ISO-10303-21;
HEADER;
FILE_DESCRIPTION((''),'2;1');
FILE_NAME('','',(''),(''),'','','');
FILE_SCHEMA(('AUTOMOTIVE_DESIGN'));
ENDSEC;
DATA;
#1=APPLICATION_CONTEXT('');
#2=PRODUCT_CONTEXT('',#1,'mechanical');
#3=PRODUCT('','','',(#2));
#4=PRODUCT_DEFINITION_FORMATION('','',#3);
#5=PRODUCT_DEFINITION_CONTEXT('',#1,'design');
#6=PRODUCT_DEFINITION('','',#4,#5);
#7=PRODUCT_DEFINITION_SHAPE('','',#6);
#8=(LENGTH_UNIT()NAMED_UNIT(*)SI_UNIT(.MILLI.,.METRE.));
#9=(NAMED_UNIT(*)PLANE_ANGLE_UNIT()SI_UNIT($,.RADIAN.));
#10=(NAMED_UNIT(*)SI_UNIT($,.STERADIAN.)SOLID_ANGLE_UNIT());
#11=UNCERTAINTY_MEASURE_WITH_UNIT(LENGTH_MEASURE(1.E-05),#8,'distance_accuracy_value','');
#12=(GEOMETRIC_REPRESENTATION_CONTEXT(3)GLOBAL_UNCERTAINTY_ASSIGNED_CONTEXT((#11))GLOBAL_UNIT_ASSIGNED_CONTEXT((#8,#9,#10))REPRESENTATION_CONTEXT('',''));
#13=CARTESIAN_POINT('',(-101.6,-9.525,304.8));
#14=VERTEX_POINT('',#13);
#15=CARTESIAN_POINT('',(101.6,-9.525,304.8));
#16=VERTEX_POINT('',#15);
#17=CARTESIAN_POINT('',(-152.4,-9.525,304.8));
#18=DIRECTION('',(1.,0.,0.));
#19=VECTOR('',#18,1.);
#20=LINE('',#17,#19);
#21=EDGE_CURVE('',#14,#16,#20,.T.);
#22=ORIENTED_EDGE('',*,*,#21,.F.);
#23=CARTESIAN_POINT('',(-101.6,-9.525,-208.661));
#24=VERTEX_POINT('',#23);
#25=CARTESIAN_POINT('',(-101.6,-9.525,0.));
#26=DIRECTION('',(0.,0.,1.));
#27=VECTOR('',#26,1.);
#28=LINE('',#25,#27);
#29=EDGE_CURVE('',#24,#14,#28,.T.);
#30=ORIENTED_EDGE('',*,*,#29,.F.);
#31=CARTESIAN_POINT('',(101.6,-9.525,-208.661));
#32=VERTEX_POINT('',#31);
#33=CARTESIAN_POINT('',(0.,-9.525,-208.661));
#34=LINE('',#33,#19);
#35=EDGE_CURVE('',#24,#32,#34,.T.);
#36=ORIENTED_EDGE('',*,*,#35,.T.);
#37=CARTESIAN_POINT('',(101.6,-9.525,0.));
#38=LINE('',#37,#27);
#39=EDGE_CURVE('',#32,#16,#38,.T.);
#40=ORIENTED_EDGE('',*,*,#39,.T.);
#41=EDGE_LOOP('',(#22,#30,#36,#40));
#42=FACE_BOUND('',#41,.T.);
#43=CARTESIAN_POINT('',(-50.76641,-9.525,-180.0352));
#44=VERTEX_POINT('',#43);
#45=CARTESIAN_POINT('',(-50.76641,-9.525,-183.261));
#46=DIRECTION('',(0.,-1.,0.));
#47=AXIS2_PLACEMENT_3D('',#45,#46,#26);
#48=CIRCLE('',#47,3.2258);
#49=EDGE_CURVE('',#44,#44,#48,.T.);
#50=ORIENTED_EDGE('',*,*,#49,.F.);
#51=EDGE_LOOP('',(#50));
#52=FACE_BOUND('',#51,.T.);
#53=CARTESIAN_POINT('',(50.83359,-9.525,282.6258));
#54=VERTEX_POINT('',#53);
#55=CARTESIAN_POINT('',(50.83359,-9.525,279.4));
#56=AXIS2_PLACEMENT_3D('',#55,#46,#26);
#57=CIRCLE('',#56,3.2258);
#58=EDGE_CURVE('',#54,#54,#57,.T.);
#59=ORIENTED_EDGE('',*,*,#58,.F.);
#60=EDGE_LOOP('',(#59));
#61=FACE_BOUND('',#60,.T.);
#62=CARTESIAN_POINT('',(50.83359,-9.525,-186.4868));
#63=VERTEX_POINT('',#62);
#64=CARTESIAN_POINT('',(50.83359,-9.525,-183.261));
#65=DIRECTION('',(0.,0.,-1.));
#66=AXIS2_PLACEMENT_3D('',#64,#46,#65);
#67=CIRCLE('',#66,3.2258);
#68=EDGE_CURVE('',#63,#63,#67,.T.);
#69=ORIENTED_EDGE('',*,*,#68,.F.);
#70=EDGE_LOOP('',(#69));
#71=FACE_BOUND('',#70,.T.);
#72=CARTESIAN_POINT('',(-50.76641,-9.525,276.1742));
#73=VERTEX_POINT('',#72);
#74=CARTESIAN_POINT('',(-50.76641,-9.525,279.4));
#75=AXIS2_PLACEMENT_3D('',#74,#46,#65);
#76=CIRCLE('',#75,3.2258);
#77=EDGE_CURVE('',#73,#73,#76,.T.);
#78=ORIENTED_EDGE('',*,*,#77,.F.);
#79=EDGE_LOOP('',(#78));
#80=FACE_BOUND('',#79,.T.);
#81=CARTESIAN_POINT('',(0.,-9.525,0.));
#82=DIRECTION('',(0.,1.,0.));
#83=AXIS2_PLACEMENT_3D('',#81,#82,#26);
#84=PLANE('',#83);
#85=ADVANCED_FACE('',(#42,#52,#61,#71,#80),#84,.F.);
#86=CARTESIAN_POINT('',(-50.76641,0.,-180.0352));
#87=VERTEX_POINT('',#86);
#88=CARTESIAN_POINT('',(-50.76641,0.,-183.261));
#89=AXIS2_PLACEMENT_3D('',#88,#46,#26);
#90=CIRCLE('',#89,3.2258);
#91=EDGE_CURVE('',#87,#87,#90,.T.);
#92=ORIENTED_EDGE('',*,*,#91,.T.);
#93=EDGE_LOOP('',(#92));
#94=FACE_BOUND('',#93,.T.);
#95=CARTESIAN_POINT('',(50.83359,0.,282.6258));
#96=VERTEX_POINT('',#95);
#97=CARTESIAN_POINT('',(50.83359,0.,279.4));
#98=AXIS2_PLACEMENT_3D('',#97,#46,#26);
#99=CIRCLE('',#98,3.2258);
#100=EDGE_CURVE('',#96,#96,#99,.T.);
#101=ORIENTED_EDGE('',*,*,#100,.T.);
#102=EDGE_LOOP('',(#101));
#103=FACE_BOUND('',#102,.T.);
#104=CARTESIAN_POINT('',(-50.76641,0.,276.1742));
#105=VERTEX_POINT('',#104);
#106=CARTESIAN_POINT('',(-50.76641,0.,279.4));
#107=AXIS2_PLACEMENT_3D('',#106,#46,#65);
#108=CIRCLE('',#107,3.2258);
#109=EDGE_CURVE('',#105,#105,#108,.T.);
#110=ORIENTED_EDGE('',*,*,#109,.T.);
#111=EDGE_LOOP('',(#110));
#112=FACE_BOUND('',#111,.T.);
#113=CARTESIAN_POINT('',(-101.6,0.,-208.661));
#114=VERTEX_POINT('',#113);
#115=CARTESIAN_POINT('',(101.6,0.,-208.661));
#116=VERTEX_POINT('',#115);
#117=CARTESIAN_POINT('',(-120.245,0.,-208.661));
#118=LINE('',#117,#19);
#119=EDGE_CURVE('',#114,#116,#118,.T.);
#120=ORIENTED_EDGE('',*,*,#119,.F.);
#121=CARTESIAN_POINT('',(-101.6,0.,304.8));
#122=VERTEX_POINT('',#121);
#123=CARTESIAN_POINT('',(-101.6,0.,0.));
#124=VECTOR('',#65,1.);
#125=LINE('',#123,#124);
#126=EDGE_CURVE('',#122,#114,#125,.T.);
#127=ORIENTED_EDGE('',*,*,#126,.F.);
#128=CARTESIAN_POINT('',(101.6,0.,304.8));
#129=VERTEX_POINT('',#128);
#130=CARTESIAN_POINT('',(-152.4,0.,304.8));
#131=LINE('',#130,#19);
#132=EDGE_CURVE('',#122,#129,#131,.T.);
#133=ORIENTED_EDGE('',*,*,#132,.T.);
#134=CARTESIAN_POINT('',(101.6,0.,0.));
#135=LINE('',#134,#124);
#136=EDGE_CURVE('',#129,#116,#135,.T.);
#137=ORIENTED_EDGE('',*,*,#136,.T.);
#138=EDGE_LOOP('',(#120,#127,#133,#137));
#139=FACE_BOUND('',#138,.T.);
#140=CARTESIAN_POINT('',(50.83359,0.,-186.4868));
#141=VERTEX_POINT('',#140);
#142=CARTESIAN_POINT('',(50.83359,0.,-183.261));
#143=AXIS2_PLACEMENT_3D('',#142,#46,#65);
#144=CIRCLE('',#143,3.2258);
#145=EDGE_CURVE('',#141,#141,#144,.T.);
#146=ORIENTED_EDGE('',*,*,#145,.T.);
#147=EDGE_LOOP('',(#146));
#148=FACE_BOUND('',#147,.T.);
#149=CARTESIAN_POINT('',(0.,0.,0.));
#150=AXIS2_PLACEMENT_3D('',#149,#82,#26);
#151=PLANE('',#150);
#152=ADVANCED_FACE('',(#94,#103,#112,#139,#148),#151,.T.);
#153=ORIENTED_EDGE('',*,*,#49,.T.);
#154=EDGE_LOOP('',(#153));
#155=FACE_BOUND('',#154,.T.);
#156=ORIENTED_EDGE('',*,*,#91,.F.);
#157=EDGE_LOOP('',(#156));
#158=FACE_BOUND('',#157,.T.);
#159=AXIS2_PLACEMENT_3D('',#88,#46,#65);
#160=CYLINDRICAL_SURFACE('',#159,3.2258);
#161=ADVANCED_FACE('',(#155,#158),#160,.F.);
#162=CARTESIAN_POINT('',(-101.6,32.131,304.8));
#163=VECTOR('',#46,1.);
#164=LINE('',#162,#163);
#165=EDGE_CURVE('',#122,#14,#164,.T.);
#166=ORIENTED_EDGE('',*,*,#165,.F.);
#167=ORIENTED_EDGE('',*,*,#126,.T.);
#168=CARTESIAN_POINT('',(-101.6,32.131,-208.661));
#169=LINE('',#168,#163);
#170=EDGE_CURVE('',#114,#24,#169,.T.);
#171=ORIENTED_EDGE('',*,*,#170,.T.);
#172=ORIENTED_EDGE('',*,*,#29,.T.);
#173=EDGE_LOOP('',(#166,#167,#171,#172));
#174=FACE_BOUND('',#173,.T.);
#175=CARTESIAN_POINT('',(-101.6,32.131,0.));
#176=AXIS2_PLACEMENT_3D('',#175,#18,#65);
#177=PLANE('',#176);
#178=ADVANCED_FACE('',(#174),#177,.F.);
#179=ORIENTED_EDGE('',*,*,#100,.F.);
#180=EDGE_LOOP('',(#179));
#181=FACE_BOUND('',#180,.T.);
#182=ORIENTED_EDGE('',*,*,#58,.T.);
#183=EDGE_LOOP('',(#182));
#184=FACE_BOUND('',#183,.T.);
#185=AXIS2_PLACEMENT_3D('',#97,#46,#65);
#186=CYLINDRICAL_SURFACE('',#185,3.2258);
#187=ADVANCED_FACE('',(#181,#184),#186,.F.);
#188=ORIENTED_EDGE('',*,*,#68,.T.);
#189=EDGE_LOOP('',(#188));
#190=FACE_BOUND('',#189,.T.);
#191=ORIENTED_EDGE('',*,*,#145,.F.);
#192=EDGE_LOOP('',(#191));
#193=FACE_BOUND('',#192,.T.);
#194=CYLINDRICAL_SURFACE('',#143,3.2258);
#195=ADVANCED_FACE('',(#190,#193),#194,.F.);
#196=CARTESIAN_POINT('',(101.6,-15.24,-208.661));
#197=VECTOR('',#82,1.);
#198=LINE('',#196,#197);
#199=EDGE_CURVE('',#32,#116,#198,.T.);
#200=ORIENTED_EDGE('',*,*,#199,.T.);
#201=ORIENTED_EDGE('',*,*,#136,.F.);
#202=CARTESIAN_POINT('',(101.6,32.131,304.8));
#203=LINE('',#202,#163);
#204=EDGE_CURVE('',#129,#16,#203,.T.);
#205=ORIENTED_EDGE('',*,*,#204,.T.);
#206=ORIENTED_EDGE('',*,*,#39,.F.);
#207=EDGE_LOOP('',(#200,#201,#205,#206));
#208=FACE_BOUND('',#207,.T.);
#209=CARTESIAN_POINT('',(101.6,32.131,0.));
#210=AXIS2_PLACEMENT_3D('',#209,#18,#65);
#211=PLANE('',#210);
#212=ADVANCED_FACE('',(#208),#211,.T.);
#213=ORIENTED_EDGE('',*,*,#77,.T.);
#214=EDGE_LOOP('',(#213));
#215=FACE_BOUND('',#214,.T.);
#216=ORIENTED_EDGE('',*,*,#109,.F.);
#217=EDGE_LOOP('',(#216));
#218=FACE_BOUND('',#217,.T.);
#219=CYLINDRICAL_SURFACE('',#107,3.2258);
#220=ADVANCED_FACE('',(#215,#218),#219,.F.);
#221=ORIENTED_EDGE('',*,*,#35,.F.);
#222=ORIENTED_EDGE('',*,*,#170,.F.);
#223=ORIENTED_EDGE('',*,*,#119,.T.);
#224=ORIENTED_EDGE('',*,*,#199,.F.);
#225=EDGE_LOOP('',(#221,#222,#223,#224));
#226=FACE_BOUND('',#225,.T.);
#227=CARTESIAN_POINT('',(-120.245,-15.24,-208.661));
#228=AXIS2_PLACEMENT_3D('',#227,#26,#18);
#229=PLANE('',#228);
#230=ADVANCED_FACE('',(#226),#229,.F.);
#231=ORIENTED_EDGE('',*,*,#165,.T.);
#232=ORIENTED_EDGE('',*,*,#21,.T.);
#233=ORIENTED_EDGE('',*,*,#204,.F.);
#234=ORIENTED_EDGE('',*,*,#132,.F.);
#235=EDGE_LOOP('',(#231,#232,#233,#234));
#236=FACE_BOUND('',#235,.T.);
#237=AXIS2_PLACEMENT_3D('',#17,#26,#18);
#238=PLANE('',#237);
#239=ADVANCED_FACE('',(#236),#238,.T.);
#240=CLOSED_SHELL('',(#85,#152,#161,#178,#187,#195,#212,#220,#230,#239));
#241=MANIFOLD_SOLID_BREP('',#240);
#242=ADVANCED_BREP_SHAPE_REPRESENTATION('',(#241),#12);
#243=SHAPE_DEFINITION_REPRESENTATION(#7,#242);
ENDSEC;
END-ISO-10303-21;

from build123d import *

# Parameters (mm, degrees)
SKETCH3_W           = 304.8
SKETCH3_H           = 609.6
BOSS_EXTRUDE1_DEPTH = 9.525
CUT_EXTRUDE1_DEPTH  = 15.24
SKETCH9_R           = 3.2258
CUT_EXTRUDE3_DEPTH  = 10.525
SKETCH10_W          = 18.645
SKETCH10_H          = 513.461
CUT_EXTRUDE4_DEPTH  = 41.656


with BuildPart() as part:
    # Sketch3 → Boss-Extrude1 (new body)
    with BuildSketch(Plane(origin=(0, 0, 0), x_dir=(1, 0, 0), z_dir=(0, 1, 0))):
        Rectangle(SKETCH3_W, SKETCH3_H)
    extrude(amount=-BOSS_EXTRUDE1_DEPTH)

    # Sketch4 → Cut-Extrude1 (cut)
    with BuildSketch(Plane(origin=(0, 0, 0), x_dir=(1, 0, 0), z_dir=(0, 1, 0))):
        Polygon((-152.4, 304.8), (152.4, 304.8), (152.4, 208.661), (152.4, -304.8), (120.245, -304.8), (120.245, 208.661), (-120.245, 208.661), (-120.245, -304.8), (-152.4, -304.8), (-152.4, 208.661), align=None)
    extrude(amount=-CUT_EXTRUDE1_DEPTH, mode=Mode.SUBTRACT)

    # Sketch9 → Cut-Extrude3 (cut, through all)
    with BuildSketch(Plane(origin=(0, -9.525, 0), x_dir=(-1, 0, 0), z_dir=(0, -1, 0))):
        with Locations((-50.83359, 183.261)):
            Circle(SKETCH9_R)
        with Locations((50.76641, 183.261)):
            Circle(SKETCH9_R)
        with Locations((50.76641, -279.4)):
            Circle(SKETCH9_R)
        with Locations((-50.83359, -279.4)):
            Circle(SKETCH9_R)
    extrude(amount=-CUT_EXTRUDE3_DEPTH, mode=Mode.SUBTRACT)

    # Sketch10 → Cut-Extrude4 (cut)
    with BuildSketch(Plane.XZ.offset(9.525)):
        with Locations((110.9225, 48.0695)):
            Rectangle(SKETCH10_W, SKETCH10_H)
        with Locations((-110.9225, 48.0695)):
            Rectangle(SKETCH10_W, SKETCH10_H)
    extrude(amount=-CUT_EXTRUDE4_DEPTH, mode=Mode.SUBTRACT)


solid = part.part
